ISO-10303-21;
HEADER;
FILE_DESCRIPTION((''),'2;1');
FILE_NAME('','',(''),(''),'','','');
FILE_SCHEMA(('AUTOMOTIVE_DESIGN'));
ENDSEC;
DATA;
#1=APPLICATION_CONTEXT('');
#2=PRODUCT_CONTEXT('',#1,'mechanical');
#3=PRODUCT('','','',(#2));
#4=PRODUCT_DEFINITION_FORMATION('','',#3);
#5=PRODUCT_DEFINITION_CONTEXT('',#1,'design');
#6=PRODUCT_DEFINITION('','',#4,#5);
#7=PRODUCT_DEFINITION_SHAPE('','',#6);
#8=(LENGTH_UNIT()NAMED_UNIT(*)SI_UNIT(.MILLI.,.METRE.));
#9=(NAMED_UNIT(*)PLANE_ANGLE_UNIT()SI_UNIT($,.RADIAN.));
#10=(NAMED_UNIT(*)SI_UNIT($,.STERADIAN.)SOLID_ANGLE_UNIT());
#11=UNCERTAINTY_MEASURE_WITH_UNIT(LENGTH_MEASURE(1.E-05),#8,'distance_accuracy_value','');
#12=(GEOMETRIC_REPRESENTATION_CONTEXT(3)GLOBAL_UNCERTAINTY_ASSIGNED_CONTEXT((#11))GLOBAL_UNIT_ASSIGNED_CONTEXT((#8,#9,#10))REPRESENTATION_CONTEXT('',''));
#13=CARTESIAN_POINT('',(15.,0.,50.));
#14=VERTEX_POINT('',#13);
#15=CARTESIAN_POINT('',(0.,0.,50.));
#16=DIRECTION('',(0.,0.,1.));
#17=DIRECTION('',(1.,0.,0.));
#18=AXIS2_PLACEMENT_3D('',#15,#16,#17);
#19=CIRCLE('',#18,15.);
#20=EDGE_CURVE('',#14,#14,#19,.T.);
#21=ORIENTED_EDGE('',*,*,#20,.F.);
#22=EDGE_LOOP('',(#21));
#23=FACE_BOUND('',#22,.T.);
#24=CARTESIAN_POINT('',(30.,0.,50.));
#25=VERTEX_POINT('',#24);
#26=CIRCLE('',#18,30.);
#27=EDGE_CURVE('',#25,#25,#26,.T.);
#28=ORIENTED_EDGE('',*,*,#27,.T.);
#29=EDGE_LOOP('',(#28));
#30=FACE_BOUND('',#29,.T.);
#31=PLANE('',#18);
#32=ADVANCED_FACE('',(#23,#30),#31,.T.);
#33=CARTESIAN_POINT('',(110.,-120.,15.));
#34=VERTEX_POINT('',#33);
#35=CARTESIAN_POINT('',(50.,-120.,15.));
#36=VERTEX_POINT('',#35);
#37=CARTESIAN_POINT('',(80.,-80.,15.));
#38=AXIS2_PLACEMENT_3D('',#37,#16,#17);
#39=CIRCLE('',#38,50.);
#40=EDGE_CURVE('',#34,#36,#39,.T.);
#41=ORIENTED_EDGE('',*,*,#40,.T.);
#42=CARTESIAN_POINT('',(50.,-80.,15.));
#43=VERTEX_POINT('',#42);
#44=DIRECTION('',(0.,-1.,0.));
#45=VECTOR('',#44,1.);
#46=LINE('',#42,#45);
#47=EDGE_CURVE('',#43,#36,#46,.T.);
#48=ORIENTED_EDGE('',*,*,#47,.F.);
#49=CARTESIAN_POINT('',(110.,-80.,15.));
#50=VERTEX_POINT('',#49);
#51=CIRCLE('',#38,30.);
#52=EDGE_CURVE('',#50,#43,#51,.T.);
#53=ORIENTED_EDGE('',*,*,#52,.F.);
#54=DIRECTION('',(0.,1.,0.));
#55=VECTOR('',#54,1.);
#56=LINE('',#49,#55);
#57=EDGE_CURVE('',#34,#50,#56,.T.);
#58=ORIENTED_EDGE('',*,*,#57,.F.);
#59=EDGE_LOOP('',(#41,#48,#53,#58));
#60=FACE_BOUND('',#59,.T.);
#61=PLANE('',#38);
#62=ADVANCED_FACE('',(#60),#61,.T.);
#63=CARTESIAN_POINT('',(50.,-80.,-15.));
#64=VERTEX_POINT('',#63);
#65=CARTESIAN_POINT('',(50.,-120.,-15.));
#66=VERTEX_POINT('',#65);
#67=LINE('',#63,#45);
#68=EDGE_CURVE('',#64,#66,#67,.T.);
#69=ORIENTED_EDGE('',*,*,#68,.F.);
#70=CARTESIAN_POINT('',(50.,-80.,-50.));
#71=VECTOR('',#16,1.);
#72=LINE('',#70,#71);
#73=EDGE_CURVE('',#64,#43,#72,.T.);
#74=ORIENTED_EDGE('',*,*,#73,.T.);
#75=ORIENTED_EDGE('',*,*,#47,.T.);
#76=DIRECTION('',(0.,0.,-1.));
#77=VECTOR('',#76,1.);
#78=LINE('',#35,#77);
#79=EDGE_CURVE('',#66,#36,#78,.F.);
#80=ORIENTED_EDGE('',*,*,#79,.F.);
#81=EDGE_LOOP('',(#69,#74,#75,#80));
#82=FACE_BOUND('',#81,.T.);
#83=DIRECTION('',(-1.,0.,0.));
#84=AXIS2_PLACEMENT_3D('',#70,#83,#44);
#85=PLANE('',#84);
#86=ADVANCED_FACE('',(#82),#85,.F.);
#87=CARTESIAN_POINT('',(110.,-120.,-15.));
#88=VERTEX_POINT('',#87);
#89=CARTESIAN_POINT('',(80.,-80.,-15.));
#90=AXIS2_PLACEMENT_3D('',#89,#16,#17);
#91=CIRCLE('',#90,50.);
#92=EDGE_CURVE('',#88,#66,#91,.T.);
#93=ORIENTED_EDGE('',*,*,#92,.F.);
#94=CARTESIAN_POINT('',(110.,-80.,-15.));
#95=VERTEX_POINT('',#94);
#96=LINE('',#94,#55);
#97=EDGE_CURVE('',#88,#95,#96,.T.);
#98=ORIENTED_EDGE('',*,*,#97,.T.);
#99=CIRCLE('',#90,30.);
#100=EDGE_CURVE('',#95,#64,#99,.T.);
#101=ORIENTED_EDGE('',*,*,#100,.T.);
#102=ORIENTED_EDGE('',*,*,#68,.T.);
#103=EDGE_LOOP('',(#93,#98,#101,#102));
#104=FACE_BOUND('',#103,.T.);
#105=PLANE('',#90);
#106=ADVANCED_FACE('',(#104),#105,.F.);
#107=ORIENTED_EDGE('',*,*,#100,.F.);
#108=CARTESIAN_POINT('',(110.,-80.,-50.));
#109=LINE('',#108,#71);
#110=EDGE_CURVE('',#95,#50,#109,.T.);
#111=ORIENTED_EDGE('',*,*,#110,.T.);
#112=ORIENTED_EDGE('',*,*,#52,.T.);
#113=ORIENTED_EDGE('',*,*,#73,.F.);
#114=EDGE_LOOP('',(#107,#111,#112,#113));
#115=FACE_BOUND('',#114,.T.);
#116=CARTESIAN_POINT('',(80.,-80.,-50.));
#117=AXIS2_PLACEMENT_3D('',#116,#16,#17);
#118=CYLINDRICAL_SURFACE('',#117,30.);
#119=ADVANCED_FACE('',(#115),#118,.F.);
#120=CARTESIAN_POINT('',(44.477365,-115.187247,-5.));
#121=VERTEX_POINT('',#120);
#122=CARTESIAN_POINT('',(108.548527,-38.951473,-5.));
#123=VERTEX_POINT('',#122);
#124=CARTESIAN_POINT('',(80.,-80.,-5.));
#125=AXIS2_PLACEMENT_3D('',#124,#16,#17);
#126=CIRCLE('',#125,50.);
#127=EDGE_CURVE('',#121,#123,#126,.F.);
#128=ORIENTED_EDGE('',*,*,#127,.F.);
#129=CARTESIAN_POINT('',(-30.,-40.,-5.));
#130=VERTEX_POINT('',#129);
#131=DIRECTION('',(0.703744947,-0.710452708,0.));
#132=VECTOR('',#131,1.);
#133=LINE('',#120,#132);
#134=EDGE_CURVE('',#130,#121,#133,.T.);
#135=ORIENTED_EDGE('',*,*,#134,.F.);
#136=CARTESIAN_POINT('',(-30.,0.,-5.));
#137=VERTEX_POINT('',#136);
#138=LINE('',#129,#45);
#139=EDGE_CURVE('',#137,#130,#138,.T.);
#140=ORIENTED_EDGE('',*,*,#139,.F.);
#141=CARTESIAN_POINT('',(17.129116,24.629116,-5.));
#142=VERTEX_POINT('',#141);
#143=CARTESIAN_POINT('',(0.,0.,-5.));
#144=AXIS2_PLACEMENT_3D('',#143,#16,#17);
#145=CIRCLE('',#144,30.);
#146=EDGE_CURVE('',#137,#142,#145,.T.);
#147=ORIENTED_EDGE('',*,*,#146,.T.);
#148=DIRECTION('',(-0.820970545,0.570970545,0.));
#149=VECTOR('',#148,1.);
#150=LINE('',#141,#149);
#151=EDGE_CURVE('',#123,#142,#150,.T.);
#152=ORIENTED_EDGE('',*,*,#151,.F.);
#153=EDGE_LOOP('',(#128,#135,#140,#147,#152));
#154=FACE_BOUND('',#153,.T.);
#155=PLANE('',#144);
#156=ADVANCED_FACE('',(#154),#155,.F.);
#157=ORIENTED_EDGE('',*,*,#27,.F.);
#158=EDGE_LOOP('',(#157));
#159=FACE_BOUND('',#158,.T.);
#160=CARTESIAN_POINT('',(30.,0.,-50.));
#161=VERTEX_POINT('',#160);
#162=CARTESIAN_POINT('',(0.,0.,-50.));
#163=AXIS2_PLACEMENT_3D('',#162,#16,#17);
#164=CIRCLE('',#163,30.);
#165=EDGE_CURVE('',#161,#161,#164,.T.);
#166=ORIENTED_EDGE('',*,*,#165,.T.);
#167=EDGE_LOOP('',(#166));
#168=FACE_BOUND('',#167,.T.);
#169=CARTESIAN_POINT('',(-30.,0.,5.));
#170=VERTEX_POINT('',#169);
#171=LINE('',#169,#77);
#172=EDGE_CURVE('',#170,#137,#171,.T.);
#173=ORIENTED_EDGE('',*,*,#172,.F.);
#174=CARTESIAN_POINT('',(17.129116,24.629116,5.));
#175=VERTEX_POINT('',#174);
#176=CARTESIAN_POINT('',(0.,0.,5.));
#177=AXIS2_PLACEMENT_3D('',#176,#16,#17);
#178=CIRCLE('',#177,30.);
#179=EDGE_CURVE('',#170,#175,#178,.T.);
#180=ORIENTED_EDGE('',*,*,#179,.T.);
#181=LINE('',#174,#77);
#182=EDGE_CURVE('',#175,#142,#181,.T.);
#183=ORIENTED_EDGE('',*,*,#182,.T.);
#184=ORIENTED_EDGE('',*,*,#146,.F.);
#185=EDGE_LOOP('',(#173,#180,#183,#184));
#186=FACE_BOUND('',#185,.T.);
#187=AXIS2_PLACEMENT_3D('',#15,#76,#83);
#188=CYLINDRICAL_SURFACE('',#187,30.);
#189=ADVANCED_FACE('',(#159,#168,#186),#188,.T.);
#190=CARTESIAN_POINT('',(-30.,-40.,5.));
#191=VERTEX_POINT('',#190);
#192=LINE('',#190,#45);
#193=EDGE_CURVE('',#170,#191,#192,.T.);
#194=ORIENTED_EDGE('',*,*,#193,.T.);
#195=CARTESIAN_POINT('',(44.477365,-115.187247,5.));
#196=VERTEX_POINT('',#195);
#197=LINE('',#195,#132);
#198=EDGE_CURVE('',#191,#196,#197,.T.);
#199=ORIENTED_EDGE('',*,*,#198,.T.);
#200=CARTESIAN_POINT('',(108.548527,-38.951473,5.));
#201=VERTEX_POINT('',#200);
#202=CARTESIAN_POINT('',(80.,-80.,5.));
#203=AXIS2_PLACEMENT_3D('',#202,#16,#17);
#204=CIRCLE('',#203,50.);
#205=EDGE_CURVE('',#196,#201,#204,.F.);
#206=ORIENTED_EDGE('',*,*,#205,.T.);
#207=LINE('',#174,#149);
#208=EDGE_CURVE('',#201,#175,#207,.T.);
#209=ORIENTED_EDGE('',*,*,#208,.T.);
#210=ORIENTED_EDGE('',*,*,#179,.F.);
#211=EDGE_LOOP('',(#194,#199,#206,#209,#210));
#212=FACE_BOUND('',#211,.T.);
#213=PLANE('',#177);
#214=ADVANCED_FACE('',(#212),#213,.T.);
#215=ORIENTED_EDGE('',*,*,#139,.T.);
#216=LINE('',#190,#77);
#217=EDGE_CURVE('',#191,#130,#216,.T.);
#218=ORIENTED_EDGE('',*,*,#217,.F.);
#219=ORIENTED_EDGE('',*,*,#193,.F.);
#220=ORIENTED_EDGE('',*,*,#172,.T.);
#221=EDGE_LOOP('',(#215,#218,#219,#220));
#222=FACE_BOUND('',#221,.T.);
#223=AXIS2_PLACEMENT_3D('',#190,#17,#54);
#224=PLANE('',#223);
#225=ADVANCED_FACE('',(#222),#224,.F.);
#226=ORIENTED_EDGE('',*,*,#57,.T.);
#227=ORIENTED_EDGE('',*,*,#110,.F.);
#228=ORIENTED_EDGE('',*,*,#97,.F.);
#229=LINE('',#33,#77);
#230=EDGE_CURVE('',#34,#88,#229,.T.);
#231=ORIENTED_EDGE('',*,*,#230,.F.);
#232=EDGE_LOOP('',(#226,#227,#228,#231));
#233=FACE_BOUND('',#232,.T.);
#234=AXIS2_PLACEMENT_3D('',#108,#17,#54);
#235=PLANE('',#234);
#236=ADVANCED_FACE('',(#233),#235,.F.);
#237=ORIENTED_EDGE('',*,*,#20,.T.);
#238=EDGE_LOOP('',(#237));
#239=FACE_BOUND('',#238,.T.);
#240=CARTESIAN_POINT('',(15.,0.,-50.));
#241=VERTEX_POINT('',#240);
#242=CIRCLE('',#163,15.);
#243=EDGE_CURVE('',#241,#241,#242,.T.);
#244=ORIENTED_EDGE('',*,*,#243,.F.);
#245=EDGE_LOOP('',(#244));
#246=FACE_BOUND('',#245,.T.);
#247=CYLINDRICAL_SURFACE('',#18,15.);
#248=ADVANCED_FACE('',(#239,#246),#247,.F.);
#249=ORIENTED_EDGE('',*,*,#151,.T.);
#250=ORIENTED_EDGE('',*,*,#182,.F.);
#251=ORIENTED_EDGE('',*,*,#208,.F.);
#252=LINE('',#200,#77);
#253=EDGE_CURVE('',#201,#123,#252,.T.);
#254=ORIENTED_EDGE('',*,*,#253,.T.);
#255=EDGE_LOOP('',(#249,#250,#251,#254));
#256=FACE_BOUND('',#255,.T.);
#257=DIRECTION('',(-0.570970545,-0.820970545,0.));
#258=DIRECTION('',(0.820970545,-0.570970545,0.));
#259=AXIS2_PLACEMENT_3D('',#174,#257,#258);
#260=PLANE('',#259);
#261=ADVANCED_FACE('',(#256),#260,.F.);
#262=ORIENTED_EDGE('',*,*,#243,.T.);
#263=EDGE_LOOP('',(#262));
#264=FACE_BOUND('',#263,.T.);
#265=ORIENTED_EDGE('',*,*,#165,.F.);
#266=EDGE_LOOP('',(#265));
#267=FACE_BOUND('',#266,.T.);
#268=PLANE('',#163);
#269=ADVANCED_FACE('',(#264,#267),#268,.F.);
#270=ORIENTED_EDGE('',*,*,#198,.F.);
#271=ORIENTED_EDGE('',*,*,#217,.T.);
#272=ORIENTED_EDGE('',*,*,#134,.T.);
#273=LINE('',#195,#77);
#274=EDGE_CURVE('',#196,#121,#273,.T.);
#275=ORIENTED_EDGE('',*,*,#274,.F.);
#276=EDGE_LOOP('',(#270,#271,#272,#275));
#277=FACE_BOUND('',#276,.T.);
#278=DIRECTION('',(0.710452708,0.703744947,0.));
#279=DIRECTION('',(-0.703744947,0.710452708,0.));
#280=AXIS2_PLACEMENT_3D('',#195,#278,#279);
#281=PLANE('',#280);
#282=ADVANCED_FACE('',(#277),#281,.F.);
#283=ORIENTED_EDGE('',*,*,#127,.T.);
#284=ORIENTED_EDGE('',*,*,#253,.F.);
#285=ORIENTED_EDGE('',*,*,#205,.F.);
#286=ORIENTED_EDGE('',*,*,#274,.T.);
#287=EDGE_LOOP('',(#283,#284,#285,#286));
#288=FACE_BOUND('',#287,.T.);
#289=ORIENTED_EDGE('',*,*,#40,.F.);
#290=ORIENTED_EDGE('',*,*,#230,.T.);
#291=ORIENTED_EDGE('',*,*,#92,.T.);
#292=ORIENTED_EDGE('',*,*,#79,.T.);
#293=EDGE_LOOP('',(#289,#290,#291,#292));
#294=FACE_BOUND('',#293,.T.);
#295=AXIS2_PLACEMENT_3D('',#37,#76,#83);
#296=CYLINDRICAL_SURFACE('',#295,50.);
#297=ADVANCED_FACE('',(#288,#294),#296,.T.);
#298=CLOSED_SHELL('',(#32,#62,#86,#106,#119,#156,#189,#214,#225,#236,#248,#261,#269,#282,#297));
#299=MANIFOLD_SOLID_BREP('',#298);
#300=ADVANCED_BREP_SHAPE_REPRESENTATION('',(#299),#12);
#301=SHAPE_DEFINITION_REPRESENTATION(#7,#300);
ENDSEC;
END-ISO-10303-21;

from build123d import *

# Parameters (mm, degrees)
SKETCH1_R             = 30
BOSS_EXTRUDE1_DEPTH   = 50
SKETCH2_R             = 50
BOSS_EXTRUDE2_DEPTH   = 15
BOSS_EXTRUDE3_DEPTH   = 5
CUT_EXTRUDE1_DEPTH    = 196
F_1_0MM_DOWEL_HOLE1_D = 30


with BuildPart() as part:
    # Sketch1 → Boss-Extrude1 (new, symmetric)
    with BuildSketch(Plane.XY):
        Circle(SKETCH1_R)
    extrude(amount=BOSS_EXTRUDE1_DEPTH, both=True)



with BuildPart() as body_2:
    # Sketch2 → Boss-Extrude2 (new, symmetric)
    with BuildSketch(Plane.XY):
        with Locations((80, -80)):
            Circle(SKETCH2_R)
    extrude(amount=BOSS_EXTRUDE2_DEPTH, both=True)


with BuildPart() as part_1:
    add(part.part)

    add(body_2.part)  # Boss-Extrude3 merges body 2
    # Sketch3 → Boss-Extrude3 (add, symmetric)
    with BuildSketch(Plane.XY):
        Polygon((17.129116361, 24.629116361), (108.548527268, -38.951472732), (44.477364607, -115.187247331), (-30, -40), (-30, 0), align=None)
    extrude(amount=BOSS_EXTRUDE3_DEPTH, both=True)

    # Sketch4 → Cut-Extrude1 (cut, through all)
    with BuildSketch(Plane.XY.offset(15)):
        with BuildLine():
            Line((110, -80), (110, -155.272597881))
            ThreePointArc((110, -155.272597881), (80, -185.272597881), (50, -155.272597881))
            Line((50, -155.272597881), (50, -80))
            ThreePointArc((50, -80), (80, -50), (110, -80))
        make_face()
    extrude(amount=-CUT_EXTRUDE1_DEPTH, mode=Mode.SUBTRACT)

    # Ø1.0mm Dowel Hole1 (through all)
    with Locations(Plane.XY.offset(50)):
        with Locations((0, 0)):
            Hole(F_1_0MM_DOWEL_HOLE1_D / 2)


solid = part_1.part
